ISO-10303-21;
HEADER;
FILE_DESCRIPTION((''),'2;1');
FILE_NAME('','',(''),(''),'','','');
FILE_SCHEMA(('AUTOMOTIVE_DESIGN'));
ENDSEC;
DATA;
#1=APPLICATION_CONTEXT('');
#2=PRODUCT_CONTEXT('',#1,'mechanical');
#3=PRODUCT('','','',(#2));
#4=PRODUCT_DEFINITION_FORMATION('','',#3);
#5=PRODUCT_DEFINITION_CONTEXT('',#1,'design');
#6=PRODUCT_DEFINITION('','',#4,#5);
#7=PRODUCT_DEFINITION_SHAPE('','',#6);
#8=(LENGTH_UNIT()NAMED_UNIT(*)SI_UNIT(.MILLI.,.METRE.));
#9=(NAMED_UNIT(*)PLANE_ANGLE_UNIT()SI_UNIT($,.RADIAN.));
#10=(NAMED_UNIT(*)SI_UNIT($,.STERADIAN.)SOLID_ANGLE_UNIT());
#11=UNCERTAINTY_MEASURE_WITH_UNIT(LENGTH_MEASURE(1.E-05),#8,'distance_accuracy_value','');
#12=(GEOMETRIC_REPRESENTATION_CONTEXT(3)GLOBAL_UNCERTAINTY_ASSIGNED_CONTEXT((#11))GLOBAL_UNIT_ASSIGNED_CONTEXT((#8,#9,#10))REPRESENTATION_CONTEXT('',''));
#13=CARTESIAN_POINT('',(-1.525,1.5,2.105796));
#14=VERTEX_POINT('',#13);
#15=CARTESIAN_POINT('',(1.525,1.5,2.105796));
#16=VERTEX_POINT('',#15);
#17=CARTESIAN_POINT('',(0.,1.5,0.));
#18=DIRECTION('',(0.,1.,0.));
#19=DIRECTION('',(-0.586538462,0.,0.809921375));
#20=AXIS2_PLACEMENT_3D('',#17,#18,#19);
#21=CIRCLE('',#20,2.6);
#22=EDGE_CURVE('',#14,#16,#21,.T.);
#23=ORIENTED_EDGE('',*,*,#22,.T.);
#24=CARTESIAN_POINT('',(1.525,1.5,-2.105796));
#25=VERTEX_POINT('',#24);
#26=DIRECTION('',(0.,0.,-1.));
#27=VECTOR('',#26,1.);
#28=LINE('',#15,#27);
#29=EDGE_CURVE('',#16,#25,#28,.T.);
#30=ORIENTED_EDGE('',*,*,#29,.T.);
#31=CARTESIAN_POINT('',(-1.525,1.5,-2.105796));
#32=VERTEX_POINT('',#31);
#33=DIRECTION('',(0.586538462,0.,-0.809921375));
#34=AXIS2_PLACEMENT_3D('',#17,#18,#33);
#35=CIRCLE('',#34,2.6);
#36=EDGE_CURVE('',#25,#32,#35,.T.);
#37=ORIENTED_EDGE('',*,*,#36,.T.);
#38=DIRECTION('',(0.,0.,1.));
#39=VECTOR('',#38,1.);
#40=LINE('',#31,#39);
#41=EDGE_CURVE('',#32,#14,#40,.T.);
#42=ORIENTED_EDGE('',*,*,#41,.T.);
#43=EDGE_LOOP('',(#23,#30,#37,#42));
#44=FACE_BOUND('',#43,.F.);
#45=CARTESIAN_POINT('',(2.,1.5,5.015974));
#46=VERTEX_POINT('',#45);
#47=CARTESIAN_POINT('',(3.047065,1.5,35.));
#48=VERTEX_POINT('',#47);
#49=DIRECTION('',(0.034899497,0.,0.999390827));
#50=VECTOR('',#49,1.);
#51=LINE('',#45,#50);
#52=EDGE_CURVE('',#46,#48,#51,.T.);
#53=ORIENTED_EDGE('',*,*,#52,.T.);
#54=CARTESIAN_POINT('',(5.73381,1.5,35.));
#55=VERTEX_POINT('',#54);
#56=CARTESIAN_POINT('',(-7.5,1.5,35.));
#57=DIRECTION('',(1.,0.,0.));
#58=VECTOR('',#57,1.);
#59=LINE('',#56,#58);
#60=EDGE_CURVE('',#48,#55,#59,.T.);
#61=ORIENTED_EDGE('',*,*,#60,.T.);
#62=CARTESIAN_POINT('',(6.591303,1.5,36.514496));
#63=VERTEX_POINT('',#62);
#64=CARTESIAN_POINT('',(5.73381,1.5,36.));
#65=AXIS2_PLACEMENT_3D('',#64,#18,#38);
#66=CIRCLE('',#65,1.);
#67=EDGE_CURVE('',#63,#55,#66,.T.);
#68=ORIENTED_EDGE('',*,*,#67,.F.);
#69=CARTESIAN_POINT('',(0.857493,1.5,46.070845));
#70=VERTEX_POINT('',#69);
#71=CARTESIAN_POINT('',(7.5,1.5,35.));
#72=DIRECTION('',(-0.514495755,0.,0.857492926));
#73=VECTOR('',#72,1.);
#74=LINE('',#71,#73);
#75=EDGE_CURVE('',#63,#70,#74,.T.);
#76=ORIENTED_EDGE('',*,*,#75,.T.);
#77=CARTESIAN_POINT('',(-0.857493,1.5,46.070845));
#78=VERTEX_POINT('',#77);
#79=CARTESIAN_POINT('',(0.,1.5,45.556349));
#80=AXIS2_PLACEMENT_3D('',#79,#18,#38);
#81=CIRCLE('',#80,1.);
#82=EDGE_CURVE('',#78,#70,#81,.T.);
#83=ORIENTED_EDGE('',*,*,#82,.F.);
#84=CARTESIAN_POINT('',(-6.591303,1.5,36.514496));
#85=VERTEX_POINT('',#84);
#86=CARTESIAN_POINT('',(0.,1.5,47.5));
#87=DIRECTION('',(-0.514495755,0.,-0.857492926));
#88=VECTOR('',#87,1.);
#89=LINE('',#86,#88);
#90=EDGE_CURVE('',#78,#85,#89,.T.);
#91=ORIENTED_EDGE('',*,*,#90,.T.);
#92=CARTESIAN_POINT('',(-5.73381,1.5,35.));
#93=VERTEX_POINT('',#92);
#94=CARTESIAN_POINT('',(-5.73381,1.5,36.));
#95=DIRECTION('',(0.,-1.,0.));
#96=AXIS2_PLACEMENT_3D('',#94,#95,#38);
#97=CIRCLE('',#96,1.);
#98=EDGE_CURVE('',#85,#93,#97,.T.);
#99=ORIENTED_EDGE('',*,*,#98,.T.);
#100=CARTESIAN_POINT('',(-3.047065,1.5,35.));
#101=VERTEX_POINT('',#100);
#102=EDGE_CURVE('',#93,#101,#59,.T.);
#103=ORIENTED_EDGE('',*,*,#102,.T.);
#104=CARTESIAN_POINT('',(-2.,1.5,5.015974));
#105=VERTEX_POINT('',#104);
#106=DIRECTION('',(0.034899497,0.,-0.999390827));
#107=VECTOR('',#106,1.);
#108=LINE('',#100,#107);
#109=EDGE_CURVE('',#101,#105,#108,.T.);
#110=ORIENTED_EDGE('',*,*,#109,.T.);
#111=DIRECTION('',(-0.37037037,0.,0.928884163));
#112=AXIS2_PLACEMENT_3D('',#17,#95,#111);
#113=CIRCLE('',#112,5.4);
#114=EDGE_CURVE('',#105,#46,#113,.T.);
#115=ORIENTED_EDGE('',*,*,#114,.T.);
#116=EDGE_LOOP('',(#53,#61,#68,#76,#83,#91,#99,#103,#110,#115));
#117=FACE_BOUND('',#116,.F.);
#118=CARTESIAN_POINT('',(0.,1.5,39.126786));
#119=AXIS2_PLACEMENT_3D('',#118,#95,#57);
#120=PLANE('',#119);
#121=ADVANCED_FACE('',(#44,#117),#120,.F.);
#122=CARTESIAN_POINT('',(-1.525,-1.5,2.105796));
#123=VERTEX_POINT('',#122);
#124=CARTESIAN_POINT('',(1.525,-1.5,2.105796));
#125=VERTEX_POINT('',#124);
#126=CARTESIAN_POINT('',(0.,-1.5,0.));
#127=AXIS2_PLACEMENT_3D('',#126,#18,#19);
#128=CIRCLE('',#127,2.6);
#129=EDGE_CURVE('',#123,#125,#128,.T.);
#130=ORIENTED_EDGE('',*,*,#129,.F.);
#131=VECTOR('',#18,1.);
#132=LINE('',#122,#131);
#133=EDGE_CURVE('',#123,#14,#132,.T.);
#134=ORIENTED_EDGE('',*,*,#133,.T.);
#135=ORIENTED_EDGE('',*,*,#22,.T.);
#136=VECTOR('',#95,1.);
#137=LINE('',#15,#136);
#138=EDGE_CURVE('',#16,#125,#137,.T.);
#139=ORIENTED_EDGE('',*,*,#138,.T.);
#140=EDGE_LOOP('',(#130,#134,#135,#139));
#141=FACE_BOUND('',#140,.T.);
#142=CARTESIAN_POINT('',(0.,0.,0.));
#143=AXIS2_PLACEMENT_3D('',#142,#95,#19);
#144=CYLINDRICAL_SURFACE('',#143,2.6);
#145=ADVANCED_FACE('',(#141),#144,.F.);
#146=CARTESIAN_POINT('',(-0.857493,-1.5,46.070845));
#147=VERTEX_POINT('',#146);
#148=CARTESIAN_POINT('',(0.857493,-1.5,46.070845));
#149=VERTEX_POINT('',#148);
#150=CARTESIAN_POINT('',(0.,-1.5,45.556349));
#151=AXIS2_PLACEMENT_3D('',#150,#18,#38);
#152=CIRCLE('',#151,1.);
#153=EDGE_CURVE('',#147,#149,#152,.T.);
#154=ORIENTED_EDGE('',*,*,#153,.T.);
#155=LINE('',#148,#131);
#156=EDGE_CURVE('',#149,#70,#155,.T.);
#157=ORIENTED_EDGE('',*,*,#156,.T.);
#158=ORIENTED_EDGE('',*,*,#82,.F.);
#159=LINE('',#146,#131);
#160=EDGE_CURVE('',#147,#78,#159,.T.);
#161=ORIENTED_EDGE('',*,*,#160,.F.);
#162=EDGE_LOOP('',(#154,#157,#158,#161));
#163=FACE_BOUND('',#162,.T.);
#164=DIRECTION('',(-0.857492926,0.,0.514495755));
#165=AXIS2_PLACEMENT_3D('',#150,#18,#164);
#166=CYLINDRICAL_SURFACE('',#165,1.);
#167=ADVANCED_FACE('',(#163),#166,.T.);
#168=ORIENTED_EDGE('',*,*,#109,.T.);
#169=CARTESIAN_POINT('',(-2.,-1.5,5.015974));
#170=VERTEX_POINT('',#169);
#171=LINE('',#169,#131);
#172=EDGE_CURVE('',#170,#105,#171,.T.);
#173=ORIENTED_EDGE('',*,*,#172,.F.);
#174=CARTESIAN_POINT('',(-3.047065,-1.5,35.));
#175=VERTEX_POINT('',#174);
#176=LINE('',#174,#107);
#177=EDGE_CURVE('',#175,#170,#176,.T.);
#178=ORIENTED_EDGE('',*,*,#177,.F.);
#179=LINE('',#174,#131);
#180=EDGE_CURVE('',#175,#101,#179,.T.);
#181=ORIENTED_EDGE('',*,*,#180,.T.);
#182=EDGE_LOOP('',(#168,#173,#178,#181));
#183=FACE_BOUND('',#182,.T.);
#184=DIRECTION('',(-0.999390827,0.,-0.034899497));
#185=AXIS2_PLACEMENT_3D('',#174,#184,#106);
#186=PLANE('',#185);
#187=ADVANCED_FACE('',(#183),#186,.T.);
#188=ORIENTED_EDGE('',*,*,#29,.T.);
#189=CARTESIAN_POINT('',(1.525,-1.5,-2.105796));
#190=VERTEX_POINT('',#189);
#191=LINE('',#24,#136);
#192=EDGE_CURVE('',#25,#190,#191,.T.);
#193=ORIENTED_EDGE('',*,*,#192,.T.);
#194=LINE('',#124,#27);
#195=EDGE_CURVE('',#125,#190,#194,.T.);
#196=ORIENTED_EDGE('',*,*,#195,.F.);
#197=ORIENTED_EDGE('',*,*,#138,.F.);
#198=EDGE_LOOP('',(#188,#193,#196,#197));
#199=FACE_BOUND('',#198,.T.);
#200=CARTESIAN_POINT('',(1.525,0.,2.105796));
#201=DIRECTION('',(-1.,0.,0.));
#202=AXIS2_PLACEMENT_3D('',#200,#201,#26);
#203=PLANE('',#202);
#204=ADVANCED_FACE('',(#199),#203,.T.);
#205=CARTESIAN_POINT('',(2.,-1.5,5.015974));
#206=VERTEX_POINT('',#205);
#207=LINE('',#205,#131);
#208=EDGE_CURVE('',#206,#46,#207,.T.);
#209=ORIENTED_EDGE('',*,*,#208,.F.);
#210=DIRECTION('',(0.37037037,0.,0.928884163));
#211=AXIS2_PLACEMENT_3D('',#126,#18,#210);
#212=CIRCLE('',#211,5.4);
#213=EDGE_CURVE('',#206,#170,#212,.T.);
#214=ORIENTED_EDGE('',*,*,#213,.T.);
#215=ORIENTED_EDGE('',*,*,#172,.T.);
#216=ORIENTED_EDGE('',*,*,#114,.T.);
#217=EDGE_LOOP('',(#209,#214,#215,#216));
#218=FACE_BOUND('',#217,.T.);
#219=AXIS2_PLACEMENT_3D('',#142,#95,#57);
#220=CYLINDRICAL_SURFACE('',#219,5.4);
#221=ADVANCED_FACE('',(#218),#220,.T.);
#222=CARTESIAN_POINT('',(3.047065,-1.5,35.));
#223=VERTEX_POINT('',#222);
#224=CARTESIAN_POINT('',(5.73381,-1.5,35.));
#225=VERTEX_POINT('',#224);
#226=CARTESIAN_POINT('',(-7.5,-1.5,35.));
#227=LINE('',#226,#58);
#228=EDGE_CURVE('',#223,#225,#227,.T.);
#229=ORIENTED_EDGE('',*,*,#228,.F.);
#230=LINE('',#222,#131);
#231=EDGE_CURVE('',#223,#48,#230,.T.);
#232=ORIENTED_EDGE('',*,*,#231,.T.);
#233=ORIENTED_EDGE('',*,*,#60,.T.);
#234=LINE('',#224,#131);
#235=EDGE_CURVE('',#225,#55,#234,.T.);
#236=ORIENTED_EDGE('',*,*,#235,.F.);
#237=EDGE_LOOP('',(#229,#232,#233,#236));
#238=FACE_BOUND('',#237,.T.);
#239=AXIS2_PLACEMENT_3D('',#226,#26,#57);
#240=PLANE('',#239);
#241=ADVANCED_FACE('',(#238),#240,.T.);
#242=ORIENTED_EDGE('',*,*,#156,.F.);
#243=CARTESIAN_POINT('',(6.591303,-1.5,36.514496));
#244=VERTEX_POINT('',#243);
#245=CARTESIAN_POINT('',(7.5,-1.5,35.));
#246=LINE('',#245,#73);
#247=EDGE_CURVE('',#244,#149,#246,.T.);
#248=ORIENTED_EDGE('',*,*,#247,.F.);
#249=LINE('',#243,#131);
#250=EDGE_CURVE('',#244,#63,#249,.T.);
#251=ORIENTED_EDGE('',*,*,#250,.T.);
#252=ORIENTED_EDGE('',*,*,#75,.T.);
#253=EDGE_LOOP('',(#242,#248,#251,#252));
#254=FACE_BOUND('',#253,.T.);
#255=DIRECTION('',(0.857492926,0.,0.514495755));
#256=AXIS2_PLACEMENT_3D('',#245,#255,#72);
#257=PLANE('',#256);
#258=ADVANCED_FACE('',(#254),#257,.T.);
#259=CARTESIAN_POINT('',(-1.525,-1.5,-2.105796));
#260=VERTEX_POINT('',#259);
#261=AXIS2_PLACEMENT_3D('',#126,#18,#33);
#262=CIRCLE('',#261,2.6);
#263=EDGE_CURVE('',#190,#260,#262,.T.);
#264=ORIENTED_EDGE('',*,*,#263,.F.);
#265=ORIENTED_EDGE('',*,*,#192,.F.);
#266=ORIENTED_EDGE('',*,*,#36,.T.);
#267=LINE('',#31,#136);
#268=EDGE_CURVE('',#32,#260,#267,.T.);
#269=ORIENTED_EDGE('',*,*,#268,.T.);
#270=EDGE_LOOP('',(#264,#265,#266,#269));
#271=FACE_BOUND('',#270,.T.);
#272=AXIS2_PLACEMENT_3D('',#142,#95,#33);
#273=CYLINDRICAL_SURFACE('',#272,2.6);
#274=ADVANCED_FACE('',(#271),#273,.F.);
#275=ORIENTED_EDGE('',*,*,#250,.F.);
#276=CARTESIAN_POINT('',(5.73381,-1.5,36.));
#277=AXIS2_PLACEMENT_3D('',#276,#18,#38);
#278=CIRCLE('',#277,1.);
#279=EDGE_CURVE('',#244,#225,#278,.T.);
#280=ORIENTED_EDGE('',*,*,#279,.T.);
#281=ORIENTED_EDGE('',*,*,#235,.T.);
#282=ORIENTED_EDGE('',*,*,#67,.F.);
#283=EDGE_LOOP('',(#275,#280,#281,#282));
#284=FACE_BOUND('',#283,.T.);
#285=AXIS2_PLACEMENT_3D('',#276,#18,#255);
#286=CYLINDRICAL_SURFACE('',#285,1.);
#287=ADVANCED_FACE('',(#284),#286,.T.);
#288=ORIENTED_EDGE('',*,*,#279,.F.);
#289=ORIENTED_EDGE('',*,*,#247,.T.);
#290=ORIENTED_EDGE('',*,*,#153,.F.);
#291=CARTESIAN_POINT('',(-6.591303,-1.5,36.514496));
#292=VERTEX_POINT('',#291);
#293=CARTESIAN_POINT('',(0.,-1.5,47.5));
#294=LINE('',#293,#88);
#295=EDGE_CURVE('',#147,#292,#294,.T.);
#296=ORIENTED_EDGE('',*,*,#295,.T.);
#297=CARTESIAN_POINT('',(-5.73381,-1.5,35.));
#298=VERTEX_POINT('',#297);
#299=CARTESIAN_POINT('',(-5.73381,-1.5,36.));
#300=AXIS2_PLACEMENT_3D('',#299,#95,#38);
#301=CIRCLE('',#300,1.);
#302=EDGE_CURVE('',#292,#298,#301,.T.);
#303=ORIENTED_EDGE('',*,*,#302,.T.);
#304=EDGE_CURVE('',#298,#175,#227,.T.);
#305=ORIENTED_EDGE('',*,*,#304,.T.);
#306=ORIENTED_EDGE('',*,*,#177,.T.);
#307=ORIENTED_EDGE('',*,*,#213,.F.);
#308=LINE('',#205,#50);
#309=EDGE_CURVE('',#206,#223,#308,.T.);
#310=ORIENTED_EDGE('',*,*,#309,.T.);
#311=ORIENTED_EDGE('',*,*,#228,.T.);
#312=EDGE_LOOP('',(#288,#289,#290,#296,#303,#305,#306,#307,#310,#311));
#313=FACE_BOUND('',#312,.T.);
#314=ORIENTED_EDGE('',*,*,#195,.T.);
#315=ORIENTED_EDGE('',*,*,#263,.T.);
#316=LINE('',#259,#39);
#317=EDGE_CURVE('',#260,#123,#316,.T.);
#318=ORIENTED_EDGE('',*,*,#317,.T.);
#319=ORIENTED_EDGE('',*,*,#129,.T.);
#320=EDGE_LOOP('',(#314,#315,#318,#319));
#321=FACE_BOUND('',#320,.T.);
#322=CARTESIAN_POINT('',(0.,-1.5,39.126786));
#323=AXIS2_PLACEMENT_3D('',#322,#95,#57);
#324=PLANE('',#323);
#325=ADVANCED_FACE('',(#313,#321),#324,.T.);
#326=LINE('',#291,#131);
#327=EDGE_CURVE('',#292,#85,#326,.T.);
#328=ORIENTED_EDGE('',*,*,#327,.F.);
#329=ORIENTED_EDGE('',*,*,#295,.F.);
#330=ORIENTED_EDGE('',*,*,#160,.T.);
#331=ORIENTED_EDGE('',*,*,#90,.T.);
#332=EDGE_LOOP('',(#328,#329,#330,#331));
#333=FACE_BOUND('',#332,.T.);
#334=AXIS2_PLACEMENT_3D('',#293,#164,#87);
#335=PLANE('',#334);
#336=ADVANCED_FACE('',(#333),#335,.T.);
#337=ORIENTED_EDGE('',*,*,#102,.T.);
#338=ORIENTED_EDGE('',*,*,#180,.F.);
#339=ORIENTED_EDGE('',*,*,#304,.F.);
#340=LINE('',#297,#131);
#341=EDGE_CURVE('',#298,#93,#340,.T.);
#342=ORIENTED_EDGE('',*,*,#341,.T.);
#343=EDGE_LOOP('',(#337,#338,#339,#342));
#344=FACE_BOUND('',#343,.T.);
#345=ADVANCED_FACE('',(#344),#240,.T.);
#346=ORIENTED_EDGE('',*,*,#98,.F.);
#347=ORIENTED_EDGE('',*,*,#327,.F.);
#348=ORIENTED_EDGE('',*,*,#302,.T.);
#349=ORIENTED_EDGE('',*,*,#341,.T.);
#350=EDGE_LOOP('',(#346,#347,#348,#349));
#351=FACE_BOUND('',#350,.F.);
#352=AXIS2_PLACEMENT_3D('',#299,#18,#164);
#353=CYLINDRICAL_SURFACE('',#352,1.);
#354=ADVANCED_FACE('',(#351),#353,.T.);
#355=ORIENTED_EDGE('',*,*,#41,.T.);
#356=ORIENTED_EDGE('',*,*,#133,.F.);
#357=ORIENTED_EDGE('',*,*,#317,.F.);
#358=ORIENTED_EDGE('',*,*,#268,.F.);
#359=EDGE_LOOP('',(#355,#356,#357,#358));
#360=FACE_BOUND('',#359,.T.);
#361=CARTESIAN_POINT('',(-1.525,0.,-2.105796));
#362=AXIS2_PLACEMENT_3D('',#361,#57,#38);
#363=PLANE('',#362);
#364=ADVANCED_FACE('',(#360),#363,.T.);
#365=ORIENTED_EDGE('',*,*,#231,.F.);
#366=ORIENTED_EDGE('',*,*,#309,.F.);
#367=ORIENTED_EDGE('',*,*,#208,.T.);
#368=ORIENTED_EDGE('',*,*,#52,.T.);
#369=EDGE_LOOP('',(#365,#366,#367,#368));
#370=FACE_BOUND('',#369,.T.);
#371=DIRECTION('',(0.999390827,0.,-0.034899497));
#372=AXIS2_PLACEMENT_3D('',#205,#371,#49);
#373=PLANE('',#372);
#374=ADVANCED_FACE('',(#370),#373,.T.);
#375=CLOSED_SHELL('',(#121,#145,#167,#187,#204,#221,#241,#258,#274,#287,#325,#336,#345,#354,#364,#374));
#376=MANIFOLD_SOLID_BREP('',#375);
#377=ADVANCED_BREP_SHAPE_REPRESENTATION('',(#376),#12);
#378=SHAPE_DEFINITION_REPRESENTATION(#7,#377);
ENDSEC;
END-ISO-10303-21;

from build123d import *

# Parameters (mm, degrees)
F0_R     = 5.4
F1_DEPTH = 1.5
F3_DEPTH = 3
F5_DEPTH = 3
F6_R     = 1


with BuildPart() as f1:
    # F0 (on Front) → F1 (new body, symmetric)
    with BuildSketch(Plane.XZ):
        Circle(F0_R)
        with BuildLine():
            ThreePointArc((1.525, 2.1057955741), (2.3157072354, 1.1821590418), (2.6, 0))
            ThreePointArc((2.6, 0), (2.3157072354, -1.1821590418), (1.525, -2.1057955741))
            ThreePointArc((1.525, -2.1057955741), (0, -2.6), (-1.525, -2.1057955741))
            ThreePointArc((-1.525, -2.1057955741), (-2.6, 0), (-1.525, 2.1057955741))
            ThreePointArc((-1.525, 2.1057955741), (0, 2.6), (1.525, 2.1057955741))
        make_face(mode=Mode.SUBTRACT)
        with BuildLine():
            Line((-1.525, -2.1057955741), (-1.525, 2.1057955741))
            ThreePointArc((-1.525, 2.1057955741), (-2.6, 0), (-1.525, -2.1057955741))
        make_face()
        with BuildLine():
            ThreePointArc((1.525, -2.1057955741), (2.3157072354, -1.1821590418), (2.6, 0))
            ThreePointArc((2.6, 0), (2.3157072354, 1.1821590418), (1.525, 2.1057955741))
            Line((1.525, 2.1057955741), (1.525, -2.1057955741))
        make_face()
    extrude(amount=F1_DEPTH, both=True)

    # F2 (on face) → F3 (join, through all)
    with BuildSketch(Plane.XZ.offset(1.5)):
        with BuildLine():
            ThreePointArc((-2, 5.0159744816), (0, 5.4), (2, 5.0159744816))
            Line((2, 5.0159744816), (3.0470652436, 35))
            Line((3.0470652436, 35), (0, 35))
            Line((0, 35), (-3.0470652436, 35))
            Line((-3.0470652436, 35), (-2, 5.0159744816))
        make_face()
    extrude(amount=-F3_DEPTH)

    # F4 (on face) → F5 (join, through all)
    with BuildSketch(Plane.XZ.offset(1.5)):
        Polygon((0, 47.5), (-7.5, 35), (-3.0470652436, 35), (3.0470652436, 35), (7.5, 35), align=None)
    extrude(amount=-F5_DEPTH)

    # F6
    f6_edges = [f1.edges().sort_by_distance(p)[0] for p in [
        (7.5, 0, 35),
        (-7.5, 0, 35),
        (0, 0, 47.5),
    ]]
    fillet(f6_edges, radius=F6_R)


solid = f1.part
